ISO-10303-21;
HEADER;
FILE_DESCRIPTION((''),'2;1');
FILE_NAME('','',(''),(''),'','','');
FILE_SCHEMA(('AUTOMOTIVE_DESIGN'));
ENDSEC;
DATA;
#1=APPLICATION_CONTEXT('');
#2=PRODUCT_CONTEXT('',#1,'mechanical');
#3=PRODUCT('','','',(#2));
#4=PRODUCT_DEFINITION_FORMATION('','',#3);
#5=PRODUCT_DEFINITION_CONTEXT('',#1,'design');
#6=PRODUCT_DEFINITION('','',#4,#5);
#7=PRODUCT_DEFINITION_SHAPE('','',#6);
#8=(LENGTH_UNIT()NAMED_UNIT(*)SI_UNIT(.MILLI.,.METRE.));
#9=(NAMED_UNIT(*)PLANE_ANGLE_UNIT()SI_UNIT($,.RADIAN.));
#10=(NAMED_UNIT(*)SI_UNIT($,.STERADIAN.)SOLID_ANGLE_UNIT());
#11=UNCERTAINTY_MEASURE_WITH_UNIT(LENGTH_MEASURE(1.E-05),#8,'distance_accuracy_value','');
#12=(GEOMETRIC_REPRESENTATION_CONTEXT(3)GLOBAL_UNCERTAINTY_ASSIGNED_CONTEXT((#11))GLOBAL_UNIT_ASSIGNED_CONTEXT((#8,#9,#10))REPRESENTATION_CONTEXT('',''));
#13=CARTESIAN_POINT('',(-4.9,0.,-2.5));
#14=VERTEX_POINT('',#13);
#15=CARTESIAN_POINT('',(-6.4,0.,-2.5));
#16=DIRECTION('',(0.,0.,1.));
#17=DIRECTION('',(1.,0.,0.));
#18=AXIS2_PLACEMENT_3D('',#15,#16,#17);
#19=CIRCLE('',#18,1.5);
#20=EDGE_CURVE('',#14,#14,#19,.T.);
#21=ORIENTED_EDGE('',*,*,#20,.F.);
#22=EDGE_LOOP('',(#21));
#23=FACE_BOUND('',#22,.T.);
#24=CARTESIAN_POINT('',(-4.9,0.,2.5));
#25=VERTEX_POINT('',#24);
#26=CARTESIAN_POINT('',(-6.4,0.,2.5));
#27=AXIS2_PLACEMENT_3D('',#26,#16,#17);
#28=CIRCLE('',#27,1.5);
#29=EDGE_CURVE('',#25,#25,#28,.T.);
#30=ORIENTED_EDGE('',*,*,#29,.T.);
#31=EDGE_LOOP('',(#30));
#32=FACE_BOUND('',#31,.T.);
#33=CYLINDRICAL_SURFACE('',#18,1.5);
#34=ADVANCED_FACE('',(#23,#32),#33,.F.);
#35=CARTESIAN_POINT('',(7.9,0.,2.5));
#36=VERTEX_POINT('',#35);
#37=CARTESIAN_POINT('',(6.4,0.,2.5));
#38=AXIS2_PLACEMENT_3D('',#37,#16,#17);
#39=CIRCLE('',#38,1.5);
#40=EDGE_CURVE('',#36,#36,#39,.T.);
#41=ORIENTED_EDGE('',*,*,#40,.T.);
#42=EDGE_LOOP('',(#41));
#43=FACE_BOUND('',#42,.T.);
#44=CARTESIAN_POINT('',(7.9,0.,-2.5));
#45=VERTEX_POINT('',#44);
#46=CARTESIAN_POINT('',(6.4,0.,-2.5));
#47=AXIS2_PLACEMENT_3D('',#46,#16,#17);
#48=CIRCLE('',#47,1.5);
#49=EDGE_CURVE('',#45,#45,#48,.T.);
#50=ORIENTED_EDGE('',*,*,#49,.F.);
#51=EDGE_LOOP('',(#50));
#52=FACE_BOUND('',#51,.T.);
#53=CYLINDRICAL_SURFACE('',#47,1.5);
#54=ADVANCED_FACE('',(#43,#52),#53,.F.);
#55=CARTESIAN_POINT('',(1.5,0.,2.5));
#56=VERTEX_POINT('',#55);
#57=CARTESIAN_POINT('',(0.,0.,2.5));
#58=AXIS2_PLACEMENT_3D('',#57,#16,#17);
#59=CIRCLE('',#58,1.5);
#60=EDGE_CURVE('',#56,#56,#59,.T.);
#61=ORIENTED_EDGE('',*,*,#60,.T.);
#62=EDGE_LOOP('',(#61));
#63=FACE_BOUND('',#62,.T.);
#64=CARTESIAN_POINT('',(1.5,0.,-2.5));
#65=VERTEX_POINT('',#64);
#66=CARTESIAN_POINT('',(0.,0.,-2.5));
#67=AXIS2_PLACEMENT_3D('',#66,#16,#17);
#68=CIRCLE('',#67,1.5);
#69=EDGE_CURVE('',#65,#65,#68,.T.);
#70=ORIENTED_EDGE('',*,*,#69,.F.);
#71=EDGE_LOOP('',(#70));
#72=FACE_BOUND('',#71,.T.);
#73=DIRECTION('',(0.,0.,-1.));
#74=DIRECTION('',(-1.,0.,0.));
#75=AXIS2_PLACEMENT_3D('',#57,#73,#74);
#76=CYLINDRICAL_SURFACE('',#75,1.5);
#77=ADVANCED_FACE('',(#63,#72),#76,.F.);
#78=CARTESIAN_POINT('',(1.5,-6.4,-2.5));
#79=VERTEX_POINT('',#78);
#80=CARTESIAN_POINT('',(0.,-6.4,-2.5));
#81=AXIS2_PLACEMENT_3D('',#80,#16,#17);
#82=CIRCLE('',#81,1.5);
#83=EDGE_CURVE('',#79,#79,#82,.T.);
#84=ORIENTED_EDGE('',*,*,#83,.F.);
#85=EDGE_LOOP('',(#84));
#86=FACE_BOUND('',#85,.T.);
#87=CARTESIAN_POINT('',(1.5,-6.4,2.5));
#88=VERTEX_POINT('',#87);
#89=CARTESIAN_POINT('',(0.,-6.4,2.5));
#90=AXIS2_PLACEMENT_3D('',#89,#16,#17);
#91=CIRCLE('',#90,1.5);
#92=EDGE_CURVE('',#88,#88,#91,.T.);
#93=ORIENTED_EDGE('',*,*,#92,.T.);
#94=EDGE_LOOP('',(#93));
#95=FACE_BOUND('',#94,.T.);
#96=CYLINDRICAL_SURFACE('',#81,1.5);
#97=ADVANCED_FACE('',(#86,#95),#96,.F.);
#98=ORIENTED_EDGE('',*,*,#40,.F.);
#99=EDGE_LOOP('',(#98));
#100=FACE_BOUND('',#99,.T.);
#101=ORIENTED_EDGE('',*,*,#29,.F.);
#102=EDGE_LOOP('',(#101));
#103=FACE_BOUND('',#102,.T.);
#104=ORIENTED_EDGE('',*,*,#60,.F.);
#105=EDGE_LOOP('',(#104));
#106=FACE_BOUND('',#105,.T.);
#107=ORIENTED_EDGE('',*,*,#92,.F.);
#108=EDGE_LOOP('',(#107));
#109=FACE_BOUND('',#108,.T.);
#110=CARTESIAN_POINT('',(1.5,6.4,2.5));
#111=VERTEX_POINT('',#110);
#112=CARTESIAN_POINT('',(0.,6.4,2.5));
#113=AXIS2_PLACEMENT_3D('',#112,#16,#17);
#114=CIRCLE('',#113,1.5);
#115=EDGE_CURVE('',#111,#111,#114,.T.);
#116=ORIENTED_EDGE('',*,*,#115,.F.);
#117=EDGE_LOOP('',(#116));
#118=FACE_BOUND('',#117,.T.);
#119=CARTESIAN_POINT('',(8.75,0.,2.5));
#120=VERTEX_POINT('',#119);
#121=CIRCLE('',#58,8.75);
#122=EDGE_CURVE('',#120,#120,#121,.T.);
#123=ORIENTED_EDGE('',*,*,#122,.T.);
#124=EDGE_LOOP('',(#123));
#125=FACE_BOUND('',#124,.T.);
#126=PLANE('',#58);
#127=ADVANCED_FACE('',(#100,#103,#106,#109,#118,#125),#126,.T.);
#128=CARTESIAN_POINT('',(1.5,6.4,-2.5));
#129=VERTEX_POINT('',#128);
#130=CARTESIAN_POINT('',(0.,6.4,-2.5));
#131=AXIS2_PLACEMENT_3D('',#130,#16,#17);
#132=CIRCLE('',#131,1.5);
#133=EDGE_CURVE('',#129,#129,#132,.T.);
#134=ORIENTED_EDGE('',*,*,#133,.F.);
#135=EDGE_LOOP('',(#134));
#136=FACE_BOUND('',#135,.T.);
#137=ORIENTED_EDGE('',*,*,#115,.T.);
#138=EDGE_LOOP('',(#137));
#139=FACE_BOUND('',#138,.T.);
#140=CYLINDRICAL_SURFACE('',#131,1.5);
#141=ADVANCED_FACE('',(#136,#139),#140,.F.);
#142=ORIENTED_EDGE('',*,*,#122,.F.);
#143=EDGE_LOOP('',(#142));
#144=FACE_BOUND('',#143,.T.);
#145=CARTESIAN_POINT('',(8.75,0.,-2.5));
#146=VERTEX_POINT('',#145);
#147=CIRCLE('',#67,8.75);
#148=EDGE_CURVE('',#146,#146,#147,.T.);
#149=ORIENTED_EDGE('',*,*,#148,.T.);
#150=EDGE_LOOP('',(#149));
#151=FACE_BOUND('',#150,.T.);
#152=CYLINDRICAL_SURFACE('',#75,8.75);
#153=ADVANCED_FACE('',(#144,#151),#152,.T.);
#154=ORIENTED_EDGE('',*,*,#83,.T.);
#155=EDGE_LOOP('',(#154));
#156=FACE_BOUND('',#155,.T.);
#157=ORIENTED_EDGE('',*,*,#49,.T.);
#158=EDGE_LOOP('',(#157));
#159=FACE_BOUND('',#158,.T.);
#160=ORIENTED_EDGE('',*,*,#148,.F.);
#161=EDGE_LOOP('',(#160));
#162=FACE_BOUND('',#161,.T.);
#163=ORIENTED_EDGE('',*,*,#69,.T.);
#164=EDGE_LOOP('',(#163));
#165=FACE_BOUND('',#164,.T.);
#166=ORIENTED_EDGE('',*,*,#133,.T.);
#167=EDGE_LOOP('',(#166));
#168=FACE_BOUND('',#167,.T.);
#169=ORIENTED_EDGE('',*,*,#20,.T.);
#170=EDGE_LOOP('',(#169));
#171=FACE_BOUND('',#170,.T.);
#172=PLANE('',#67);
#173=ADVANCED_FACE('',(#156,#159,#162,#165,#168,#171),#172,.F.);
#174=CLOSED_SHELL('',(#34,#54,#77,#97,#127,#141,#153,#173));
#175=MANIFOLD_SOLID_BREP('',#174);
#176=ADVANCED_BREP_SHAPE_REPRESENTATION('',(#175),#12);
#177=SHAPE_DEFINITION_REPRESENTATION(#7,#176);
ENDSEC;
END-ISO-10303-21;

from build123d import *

# Parameters (mm, degrees)
SKETCH1_R           = 8.75
SKETCH1_R_2         = 1.5
EXTRUDE1_DEPTH      = 2.5
EXTRUDE2_DEPTH      = 13.624381173
EXTRUDE2_DEPTH_BACK = 13.624381173
SKETCH2_R           = 1.5


with BuildPart() as part:
    # Sketch1 → Extrude1 (new, symmetric)
    with BuildSketch(Plane.XY):
        Circle(SKETCH1_R)
        Circle(SKETCH1_R_2, mode=Mode.SUBTRACT)
    extrude(amount=EXTRUDE1_DEPTH, both=True)

    # Sketch2 → Extrude2 (cut, two sides: drawn at the far end of the back side and taken through both)
    with BuildSketch(Plane.XY.offset(-EXTRUDE2_DEPTH_BACK)):
        with Locations((0, 6.4)):
            Circle(SKETCH2_R)
        with Locations((6.4, 0)):
            Circle(SKETCH2_R)
        with Locations((0, -6.4)):
            Circle(SKETCH2_R)
        with Locations((-6.4, 0)):
            Circle(SKETCH2_R)
    extrude(amount=EXTRUDE2_DEPTH + EXTRUDE2_DEPTH_BACK, mode=Mode.SUBTRACT)


solid = part.part
